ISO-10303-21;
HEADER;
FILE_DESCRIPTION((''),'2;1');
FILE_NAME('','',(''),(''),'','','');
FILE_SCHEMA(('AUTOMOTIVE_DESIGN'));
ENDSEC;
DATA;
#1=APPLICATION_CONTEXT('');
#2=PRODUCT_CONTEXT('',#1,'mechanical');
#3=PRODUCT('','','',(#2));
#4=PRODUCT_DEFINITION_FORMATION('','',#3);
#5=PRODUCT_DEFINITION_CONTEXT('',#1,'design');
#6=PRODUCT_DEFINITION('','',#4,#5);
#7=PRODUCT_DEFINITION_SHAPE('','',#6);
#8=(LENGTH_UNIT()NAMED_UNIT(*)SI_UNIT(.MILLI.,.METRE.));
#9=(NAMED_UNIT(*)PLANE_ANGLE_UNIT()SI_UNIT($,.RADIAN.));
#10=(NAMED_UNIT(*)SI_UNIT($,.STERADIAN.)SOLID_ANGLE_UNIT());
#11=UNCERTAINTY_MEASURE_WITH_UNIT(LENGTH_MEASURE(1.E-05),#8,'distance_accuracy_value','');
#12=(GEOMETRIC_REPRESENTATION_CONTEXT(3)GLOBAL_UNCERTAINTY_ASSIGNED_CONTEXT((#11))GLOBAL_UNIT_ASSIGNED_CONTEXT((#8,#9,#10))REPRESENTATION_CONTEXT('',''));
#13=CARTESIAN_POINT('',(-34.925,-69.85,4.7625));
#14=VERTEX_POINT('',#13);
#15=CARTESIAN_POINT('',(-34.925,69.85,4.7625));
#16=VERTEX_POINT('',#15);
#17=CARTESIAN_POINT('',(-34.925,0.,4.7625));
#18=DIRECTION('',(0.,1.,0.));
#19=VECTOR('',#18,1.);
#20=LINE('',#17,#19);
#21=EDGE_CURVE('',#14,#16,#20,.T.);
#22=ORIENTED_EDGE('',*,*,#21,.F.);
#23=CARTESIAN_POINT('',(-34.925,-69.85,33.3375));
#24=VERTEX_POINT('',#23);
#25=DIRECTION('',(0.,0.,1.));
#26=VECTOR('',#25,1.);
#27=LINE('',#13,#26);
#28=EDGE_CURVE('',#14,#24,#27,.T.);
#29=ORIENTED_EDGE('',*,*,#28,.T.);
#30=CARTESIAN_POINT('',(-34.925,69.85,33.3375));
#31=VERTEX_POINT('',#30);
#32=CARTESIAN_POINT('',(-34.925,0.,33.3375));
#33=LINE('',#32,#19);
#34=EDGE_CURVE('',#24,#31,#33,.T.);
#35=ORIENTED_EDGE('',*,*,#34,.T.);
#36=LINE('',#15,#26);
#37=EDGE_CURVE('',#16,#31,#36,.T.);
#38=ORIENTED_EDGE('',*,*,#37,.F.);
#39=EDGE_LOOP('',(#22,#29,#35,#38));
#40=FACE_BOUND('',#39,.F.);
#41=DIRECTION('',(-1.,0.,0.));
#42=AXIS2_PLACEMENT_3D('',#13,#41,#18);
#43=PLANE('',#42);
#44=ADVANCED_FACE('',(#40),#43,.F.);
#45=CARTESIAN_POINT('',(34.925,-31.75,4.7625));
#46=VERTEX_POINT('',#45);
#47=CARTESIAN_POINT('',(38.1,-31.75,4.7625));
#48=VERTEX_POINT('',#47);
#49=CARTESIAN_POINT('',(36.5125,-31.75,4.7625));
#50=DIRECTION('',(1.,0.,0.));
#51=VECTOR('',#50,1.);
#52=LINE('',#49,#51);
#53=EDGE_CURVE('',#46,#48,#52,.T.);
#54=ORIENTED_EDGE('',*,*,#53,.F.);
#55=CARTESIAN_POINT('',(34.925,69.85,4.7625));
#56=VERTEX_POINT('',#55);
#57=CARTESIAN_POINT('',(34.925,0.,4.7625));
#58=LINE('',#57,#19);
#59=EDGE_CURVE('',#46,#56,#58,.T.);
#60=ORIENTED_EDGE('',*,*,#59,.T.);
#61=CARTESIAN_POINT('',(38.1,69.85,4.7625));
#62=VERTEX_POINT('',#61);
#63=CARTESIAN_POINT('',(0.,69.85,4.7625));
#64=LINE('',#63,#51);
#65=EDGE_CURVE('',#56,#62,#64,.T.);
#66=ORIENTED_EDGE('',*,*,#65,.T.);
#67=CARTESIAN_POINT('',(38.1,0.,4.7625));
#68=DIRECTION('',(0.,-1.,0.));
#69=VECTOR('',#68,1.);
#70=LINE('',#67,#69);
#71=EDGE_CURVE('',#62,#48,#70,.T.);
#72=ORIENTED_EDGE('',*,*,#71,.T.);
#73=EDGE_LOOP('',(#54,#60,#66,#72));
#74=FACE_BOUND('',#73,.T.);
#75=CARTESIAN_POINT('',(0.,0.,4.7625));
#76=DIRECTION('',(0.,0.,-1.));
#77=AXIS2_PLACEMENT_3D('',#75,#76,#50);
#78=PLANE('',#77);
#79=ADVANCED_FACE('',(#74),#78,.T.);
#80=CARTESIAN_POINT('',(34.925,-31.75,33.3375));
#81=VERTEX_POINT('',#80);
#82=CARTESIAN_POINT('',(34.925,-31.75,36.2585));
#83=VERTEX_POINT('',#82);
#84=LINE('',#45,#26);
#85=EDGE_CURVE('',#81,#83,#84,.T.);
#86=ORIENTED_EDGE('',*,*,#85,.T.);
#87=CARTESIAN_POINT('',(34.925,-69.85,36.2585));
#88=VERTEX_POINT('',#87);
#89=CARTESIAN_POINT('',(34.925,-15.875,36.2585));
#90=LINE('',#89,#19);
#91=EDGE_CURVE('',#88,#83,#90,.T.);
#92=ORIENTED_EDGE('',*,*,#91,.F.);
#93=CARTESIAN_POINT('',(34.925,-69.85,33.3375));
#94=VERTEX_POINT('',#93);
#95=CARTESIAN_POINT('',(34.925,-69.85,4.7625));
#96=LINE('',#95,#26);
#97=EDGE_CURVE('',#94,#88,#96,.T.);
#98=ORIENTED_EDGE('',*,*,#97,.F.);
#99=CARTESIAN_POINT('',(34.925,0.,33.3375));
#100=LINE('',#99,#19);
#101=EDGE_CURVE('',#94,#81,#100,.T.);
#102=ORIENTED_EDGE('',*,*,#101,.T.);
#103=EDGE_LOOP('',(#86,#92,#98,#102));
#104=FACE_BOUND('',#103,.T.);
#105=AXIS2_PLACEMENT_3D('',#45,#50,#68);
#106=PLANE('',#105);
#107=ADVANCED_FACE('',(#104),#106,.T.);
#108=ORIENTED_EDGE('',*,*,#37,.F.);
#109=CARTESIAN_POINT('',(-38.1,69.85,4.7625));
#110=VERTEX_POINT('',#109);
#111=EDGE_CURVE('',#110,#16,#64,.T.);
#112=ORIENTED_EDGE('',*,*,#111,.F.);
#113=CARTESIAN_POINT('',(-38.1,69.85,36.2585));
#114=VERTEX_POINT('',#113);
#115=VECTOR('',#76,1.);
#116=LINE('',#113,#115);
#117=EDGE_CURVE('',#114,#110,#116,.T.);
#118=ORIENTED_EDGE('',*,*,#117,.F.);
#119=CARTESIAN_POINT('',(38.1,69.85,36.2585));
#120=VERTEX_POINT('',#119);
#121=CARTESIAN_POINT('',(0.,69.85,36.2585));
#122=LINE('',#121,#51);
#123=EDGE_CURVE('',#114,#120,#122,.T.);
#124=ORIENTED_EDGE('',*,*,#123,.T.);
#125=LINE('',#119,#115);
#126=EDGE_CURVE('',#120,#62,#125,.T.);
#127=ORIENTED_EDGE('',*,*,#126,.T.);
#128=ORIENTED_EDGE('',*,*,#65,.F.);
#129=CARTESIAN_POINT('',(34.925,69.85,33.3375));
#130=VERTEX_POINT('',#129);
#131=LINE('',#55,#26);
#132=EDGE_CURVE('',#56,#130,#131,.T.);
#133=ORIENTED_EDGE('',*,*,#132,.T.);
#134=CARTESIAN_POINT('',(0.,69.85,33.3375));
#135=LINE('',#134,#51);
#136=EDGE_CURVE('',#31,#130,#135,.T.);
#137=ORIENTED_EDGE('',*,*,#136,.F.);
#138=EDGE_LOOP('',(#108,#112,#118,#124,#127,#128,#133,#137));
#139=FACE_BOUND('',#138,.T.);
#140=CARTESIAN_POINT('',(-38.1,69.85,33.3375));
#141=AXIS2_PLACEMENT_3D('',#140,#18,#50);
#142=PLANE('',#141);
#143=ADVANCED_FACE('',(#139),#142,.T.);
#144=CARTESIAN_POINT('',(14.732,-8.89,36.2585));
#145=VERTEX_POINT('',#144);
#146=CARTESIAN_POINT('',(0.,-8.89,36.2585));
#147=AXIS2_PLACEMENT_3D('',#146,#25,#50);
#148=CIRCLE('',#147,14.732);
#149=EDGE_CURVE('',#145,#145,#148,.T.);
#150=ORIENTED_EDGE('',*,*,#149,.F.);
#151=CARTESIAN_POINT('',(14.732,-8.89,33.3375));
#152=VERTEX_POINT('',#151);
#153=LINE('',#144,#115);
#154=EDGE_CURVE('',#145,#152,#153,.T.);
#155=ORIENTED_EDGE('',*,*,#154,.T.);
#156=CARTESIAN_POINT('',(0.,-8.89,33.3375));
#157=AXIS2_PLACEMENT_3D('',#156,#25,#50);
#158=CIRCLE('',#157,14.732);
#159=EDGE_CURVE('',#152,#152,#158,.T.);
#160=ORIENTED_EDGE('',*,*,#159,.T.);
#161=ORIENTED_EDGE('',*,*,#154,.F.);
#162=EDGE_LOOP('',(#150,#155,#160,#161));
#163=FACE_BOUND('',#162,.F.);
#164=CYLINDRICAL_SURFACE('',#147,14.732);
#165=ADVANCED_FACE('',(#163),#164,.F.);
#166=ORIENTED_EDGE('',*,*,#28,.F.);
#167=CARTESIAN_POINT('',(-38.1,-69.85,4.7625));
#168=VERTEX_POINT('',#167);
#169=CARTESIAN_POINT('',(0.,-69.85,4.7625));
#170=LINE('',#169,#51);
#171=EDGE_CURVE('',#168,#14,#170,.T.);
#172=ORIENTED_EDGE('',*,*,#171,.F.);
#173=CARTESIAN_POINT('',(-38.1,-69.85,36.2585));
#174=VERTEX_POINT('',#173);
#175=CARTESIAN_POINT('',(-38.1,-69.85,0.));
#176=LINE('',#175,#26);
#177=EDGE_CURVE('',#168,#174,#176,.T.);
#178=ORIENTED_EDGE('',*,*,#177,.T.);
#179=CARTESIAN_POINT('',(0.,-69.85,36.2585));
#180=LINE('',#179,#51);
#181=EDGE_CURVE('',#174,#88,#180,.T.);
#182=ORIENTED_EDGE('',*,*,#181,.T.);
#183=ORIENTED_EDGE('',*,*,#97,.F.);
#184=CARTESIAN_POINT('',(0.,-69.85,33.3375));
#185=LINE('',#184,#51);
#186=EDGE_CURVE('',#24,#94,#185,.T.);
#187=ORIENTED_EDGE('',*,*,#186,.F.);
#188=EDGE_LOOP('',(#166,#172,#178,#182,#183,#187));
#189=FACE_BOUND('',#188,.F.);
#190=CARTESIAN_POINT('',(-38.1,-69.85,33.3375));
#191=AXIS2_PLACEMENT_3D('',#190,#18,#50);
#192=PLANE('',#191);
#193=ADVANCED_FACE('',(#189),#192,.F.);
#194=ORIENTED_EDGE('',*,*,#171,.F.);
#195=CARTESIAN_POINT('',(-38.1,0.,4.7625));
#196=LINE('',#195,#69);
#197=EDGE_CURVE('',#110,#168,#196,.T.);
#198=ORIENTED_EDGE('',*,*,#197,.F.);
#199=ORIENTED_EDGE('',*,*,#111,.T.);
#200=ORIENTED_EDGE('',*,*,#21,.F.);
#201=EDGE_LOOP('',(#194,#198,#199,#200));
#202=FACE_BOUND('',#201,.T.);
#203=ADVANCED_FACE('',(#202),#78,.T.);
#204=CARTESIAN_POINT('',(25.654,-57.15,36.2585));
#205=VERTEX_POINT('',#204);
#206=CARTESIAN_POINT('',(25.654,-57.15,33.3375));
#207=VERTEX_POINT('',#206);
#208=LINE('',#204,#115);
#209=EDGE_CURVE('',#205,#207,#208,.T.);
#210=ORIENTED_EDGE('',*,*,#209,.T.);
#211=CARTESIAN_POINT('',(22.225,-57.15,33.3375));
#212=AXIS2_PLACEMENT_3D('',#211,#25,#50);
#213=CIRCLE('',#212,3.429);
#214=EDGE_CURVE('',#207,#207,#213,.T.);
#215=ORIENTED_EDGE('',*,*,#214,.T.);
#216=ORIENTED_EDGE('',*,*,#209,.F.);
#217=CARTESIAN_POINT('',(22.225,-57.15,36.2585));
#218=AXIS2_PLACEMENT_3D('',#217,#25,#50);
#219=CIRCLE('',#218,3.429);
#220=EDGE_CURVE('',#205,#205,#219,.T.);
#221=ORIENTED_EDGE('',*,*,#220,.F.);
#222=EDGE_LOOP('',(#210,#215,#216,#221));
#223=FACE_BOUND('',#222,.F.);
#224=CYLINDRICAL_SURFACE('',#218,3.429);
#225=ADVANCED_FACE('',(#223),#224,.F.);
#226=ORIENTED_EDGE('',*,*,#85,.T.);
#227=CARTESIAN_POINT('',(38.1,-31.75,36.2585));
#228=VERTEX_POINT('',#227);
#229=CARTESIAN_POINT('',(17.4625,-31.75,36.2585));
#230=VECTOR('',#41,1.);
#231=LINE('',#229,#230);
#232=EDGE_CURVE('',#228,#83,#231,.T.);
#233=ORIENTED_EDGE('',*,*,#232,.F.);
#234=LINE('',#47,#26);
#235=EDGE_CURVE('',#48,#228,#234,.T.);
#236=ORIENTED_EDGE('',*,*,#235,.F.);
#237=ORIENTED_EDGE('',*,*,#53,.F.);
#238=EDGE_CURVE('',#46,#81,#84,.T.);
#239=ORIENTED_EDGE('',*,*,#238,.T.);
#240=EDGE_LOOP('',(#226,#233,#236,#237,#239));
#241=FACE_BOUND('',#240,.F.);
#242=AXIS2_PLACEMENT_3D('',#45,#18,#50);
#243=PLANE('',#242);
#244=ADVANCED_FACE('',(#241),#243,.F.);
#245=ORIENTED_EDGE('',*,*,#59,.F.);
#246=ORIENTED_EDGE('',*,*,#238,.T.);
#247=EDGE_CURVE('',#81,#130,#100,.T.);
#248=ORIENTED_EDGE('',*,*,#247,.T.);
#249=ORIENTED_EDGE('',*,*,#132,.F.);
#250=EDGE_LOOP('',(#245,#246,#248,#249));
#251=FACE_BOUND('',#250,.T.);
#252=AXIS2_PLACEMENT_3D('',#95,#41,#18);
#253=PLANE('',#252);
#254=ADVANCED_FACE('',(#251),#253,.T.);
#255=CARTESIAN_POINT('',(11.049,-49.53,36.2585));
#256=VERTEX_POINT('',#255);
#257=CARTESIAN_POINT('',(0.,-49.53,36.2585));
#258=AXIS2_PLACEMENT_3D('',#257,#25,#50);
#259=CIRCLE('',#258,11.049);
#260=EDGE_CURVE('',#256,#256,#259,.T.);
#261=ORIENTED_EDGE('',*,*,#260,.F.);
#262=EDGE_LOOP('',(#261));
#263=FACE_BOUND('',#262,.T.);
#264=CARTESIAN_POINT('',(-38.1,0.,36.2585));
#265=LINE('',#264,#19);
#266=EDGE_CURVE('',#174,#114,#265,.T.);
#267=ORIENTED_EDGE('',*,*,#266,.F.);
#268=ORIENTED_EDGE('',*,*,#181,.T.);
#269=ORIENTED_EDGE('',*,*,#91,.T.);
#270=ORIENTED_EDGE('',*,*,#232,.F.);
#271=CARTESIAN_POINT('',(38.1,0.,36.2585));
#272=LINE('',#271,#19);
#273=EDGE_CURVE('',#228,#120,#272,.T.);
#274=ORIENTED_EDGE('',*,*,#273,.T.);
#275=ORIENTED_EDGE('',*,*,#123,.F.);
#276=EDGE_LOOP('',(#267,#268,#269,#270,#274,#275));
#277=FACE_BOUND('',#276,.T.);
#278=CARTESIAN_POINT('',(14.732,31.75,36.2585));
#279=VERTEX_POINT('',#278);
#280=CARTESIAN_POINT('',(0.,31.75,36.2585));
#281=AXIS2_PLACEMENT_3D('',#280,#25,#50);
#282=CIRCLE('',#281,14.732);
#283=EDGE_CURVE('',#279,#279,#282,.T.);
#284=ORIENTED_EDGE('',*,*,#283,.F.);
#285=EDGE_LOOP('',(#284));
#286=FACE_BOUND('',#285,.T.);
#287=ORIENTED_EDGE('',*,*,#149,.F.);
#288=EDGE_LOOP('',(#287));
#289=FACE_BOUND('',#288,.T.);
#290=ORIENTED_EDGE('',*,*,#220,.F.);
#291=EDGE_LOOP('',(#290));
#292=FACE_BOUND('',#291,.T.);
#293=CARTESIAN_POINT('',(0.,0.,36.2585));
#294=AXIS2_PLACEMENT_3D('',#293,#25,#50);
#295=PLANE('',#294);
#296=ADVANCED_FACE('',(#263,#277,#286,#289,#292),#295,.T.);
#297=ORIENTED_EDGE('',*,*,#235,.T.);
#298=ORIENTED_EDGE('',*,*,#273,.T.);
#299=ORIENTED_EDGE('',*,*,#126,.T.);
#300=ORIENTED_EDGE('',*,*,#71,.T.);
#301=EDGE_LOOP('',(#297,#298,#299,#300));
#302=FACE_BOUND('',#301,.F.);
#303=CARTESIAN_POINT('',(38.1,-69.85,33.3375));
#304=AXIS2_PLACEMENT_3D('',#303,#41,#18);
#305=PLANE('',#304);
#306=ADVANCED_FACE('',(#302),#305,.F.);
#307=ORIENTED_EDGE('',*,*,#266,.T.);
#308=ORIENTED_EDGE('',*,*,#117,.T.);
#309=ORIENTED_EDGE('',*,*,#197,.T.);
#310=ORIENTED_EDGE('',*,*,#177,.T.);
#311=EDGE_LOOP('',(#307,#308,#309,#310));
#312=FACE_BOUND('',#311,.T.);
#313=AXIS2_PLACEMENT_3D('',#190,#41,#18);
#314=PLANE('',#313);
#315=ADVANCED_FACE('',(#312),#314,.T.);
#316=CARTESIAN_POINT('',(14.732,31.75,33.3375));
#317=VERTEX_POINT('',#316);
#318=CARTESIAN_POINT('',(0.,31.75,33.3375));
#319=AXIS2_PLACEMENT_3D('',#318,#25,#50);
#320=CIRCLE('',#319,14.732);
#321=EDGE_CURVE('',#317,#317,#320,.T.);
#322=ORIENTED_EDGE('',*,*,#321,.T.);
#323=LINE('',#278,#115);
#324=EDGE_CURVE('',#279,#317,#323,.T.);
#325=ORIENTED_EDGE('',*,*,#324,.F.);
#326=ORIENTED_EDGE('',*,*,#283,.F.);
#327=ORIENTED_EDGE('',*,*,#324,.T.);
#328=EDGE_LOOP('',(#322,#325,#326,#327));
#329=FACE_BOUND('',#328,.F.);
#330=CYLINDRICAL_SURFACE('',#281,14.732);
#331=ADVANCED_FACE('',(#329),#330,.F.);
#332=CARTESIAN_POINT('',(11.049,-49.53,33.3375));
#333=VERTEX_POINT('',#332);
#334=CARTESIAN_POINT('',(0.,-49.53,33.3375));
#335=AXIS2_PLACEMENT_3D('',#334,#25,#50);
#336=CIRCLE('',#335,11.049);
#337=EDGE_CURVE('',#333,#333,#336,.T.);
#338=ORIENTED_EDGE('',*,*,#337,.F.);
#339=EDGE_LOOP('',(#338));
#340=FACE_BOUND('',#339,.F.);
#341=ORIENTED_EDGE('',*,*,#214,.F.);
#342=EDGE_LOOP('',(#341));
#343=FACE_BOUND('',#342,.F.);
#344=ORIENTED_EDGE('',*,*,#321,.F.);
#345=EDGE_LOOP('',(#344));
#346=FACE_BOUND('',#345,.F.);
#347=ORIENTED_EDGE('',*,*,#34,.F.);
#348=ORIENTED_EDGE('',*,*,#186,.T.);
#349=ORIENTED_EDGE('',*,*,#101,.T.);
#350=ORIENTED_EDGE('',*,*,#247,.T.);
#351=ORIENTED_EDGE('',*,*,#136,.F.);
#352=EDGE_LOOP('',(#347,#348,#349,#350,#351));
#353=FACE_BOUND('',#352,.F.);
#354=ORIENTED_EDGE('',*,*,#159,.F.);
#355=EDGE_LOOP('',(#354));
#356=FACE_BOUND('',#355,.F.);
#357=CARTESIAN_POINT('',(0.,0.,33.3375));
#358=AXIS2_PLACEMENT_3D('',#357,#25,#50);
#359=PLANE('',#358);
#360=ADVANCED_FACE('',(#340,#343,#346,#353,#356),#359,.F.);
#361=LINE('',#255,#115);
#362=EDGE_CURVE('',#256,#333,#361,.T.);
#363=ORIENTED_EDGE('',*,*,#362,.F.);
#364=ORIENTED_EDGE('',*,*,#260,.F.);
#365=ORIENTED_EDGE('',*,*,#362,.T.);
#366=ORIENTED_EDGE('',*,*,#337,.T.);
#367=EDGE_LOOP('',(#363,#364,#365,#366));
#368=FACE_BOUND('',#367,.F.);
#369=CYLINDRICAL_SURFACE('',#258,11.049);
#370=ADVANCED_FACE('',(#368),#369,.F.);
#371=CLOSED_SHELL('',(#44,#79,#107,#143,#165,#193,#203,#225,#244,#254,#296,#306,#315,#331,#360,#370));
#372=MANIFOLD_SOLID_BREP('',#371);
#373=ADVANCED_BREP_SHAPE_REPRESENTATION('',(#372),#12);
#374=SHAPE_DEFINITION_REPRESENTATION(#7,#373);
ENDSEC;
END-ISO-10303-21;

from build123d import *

# Parameters (mm, degrees)
F0_W      = 76.2
F0_H      = 139.7
F1_DEPTH  = 4.7625
F2_W      = 3.175
F2_H      = 139.7
F3_DEPTH  = 28.575
F4_W      = 76.2
F4_H      = 139.7
F5_DEPTH  = 2.921
F6_R      = 11.684
F6_R_2    = 11.049
F7_DEPTH  = 76.2
F6_R_3    = 14.732
F8_DEPTH  = 25.4
F9_R      = 11.43
F10_DEPTH = 25.4
F11_W     = 76.2
F11_H     = 139.7
F12_DEPTH = 4.7625
F13_R     = 14.732
F14_DEPTH = 25.4
F15_W     = 3.175
F15_H     = 38.1
F16_DEPTH = 49.04312
F17_R     = 3.429
F18_DEPTH = 25.4


with BuildPart() as f1:
    # F0 (on Top) → F1 (new body)
    with BuildSketch(Plane.XY):
        Rectangle(F0_W, F0_H)
    extrude(amount=F1_DEPTH)

    # F2 (on face) → F3 (join)
    with BuildSketch(Plane.XY.offset(4.7625)):
        with Locations((-36.5125, 0)):
            Rectangle(F2_W, F2_H)
        with Locations((36.5125, 0)):
            Rectangle(F2_W, F2_H)
    extrude(amount=F3_DEPTH)

    # F4 (on face) → F5 (join)
    with BuildSketch(Plane.XY.offset(33.3375)):
        Rectangle(F4_W, F4_H)
    extrude(amount=F5_DEPTH)

    # F6 (on face) → F7 (cut)
    with BuildSketch(Plane.XY.offset(36.2585)):
        with Locations((0, -8.89)):
            Circle(F6_R)
        with Locations((0, -49.53)):
            Circle(F6_R_2)
    extrude(amount=-F7_DEPTH, mode=Mode.SUBTRACT)

    # F6 (on face) → F8 (cut)
    with BuildSketch(Plane.XY.offset(36.2585)):
        with Locations((0, 31.75)):
            Circle(F6_R_3)
    extrude(amount=-F8_DEPTH, mode=Mode.SUBTRACT)

    # F9 (on face) → F10 (cut)
    with BuildSketch(Plane(origin=(0, 0, 0), x_dir=(1, 0, 0), z_dir=(0, 0, -1))):
        with Locations((0, -34.29)):
            Circle(F9_R)
    extrude(amount=-F10_DEPTH, mode=Mode.SUBTRACT)

    # F11 (on face) → F12 (cut)
    with BuildSketch(Plane(origin=(0, 0, 0), x_dir=(1, 0, 0), z_dir=(0, 0, -1))):
        Rectangle(F11_W, F11_H)
    extrude(amount=-F12_DEPTH, mode=Mode.SUBTRACT)

    # F13 (on face) → F14 (cut)
    with BuildSketch(Plane.XY.offset(36.2585)):
        with Locations((0, -8.89)):
            Circle(F13_R)
    extrude(amount=-F14_DEPTH, mode=Mode.SUBTRACT)

    # F15 (on face) → F16 (cut)
    with BuildSketch(Plane(origin=(0, 0, 4.7625), x_dir=(1, 0, 0), z_dir=(0, 0, -1))):
        with Locations((36.5125, 50.8)):
            Rectangle(F15_W, F15_H)
    extrude(amount=-F16_DEPTH, mode=Mode.SUBTRACT)

    # F17 (on face) → F18 (cut)
    with BuildSketch(Plane.XY.offset(36.2585)):
        with Locations((22.225, -57.15)):
            Circle(F17_R)
    extrude(amount=-F18_DEPTH, mode=Mode.SUBTRACT)


solid = f1.part
